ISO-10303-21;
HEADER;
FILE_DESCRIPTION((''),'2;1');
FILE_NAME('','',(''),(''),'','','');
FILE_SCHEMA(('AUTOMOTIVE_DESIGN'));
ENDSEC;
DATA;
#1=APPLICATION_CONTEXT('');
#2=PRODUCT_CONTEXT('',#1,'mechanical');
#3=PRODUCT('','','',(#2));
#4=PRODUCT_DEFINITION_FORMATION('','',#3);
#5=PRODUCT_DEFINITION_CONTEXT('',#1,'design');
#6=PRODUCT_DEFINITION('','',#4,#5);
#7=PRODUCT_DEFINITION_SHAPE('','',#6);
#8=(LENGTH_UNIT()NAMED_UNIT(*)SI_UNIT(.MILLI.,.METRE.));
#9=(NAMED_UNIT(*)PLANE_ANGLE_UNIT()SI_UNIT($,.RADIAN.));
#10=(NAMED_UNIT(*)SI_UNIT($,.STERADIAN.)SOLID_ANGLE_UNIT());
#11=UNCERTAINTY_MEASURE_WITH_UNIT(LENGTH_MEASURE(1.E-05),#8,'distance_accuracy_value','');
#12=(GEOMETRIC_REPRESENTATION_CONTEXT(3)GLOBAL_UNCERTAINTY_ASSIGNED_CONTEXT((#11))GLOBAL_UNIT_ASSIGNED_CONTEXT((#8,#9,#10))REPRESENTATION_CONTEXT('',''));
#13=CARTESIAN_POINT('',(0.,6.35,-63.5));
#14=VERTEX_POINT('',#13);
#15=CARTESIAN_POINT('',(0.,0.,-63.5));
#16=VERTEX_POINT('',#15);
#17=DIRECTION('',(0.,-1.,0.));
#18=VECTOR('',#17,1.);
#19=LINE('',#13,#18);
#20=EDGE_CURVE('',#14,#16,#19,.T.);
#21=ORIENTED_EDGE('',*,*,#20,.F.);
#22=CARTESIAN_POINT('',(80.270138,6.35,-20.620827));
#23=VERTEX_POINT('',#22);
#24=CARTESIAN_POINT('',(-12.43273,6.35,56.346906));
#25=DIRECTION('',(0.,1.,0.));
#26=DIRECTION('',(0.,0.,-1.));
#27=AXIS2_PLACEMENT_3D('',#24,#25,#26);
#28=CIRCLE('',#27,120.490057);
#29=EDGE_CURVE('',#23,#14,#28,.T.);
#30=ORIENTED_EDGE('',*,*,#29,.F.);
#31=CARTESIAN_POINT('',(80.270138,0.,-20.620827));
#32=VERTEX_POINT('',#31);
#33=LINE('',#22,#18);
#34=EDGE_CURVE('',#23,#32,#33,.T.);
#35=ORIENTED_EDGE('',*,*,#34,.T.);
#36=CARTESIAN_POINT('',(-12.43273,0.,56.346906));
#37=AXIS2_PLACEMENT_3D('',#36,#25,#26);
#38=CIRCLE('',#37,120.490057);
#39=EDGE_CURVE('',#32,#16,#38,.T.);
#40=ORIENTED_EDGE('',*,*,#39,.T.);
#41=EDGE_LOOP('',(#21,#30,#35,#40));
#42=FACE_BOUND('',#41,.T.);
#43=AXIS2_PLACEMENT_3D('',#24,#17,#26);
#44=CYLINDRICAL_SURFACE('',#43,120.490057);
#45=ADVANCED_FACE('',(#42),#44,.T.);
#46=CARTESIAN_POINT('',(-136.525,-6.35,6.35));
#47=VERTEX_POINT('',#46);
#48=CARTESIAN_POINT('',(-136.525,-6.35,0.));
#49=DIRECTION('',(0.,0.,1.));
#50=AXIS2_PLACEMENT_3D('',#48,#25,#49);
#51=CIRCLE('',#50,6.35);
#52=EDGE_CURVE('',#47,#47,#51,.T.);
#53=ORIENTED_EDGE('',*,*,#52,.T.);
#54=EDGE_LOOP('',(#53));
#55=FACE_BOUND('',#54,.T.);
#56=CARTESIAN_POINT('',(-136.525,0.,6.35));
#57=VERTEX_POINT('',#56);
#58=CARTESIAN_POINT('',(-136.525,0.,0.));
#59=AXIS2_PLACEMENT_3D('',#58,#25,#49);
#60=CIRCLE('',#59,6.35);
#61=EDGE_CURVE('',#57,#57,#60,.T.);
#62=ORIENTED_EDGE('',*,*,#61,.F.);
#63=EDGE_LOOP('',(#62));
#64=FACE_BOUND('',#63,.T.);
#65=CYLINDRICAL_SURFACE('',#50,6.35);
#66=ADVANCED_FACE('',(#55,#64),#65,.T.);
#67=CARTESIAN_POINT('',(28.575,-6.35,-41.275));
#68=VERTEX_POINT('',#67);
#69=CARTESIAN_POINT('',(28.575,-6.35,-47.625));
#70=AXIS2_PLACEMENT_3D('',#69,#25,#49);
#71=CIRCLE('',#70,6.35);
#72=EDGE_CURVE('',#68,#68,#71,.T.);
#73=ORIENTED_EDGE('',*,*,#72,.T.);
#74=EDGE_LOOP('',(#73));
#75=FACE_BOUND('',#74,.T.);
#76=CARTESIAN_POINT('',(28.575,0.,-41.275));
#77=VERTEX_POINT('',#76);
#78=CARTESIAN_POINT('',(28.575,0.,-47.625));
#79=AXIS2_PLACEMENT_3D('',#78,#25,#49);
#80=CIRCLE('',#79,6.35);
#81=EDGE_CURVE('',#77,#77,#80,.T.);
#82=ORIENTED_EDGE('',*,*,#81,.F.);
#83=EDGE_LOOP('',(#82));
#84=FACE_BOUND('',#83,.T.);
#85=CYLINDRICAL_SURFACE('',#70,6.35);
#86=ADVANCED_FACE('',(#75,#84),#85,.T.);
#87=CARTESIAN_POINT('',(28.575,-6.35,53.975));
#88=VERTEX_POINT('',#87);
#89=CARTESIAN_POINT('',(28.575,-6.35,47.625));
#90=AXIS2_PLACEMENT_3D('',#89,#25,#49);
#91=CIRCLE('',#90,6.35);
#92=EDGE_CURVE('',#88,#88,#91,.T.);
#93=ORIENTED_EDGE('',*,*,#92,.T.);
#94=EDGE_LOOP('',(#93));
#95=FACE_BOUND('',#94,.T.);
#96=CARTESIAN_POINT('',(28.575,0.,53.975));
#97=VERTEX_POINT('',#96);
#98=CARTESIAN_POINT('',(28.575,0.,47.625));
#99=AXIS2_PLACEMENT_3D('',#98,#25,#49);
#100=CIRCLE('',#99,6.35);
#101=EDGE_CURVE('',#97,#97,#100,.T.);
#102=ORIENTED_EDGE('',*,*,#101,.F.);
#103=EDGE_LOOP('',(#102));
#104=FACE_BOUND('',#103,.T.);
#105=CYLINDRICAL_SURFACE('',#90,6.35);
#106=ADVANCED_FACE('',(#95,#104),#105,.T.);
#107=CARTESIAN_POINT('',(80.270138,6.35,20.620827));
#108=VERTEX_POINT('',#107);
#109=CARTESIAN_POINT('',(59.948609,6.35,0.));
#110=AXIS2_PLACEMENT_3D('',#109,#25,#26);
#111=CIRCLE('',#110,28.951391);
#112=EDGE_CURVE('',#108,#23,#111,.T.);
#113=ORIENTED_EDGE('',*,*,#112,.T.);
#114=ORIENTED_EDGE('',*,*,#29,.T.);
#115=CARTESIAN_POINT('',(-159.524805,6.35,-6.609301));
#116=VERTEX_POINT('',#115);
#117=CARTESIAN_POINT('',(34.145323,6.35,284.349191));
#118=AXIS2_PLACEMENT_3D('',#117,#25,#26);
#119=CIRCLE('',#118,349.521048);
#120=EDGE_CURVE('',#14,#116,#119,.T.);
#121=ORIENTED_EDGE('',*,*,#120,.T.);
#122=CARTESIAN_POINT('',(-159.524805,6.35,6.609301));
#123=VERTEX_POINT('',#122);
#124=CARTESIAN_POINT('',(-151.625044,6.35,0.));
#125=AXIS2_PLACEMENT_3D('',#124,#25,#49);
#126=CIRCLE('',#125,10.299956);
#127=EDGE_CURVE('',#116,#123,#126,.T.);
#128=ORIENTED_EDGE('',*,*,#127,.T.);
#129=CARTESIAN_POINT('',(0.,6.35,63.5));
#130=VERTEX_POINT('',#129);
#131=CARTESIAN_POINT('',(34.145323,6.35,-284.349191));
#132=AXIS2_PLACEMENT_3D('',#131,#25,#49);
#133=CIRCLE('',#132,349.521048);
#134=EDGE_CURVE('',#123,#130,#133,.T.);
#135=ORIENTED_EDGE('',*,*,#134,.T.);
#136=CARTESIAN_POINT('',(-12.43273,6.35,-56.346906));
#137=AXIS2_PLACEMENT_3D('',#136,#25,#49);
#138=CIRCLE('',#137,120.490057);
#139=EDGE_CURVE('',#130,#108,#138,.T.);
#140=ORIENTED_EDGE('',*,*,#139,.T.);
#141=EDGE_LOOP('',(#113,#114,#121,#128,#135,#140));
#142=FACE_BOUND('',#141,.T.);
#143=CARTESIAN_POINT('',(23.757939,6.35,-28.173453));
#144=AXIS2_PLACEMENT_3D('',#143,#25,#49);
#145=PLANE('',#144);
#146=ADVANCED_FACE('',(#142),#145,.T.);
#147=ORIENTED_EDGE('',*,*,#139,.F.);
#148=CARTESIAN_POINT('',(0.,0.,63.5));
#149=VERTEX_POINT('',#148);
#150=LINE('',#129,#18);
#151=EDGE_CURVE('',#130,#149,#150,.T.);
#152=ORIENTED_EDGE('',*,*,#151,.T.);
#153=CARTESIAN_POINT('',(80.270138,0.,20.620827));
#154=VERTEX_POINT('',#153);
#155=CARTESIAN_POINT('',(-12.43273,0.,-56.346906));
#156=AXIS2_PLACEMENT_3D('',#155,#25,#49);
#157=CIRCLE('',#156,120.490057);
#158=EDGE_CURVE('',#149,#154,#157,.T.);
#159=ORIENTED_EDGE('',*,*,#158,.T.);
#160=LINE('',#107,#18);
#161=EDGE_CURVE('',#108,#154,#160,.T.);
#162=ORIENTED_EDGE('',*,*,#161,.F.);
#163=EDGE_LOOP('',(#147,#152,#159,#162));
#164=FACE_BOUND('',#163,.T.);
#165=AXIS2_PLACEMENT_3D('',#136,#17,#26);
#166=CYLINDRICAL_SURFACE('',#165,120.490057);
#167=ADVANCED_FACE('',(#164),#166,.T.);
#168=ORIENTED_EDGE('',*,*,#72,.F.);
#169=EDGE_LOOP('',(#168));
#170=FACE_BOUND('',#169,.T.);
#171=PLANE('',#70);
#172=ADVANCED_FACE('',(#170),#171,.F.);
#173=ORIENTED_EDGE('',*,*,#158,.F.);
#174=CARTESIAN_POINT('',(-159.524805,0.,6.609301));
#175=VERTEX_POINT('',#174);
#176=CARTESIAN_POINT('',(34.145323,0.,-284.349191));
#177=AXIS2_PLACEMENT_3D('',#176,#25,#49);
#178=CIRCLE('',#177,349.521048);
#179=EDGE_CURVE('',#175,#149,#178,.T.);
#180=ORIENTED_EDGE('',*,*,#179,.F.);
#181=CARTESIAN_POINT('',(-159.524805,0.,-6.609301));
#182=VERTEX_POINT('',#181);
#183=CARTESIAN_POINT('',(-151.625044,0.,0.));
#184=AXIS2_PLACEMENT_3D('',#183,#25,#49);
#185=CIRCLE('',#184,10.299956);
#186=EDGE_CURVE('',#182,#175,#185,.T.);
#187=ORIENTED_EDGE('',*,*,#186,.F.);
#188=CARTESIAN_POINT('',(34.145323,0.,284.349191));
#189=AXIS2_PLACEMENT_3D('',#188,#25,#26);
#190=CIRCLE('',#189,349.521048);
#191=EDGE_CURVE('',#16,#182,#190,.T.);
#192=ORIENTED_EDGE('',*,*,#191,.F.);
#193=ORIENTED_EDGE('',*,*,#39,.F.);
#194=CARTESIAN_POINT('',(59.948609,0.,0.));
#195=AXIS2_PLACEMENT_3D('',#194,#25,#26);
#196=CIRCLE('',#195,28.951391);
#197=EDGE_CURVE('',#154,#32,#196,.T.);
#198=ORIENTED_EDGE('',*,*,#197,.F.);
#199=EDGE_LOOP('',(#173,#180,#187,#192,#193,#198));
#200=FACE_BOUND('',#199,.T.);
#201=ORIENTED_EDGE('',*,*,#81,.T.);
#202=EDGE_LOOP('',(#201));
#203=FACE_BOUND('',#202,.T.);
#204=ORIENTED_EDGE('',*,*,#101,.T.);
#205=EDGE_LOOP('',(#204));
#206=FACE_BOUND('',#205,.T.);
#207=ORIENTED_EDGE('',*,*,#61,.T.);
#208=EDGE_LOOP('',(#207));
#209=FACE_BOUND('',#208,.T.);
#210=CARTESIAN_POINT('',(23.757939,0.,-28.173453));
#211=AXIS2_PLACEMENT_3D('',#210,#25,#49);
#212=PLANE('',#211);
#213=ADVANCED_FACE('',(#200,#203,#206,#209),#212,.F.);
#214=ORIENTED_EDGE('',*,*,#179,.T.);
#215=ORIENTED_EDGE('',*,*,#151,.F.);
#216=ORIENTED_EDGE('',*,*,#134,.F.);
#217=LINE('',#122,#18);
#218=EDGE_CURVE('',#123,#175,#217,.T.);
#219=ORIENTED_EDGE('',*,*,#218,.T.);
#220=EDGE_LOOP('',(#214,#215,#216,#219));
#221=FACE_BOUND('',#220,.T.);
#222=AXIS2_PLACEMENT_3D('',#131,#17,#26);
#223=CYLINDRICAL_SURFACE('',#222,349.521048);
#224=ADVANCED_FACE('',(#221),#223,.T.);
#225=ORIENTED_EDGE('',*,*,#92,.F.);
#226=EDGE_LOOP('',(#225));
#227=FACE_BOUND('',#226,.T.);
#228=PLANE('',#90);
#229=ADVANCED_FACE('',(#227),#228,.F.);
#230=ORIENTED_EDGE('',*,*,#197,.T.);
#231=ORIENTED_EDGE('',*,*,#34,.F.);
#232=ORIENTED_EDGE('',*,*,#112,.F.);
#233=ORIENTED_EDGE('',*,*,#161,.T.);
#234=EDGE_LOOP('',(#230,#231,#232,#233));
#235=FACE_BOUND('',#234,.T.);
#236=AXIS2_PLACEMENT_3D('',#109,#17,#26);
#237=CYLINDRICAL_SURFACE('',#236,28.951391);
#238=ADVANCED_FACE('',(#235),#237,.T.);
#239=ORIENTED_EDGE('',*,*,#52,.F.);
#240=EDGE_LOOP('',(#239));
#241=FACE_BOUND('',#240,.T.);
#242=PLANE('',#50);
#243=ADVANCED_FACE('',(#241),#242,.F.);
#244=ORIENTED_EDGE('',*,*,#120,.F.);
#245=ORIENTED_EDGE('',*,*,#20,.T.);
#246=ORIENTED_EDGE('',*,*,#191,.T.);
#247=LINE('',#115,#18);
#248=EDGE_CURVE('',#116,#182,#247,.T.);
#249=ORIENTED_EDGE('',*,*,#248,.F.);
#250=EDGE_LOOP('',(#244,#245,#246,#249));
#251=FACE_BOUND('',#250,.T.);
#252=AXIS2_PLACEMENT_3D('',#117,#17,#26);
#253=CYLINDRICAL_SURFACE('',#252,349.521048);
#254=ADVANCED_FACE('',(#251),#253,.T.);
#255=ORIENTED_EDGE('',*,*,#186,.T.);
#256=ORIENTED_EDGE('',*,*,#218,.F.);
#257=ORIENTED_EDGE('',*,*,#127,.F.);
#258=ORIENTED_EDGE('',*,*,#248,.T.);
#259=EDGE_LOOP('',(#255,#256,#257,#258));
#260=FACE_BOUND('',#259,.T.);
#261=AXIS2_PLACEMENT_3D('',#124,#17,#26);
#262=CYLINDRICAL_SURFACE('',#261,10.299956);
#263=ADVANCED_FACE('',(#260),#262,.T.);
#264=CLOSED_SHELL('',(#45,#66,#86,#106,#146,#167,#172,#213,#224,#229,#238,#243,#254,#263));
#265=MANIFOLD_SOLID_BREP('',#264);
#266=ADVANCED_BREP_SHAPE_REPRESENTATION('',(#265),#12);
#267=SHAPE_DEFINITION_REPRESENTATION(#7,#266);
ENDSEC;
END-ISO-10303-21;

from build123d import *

# Parameters (mm, degrees)
SALIENTE_EXTRUIR1_DEPTH = 6.35
SALIENTE_EXTRUIR2_START = -6.35
CROQUIS2_R              = 6.35
SALIENTE_EXTRUIR2_DEPTH = 6.35


with BuildPart() as part:
    # Croquis1 → Saliente-Extruir1 (new body)
    with BuildSketch(Plane(origin=(0, 0, 0), x_dir=(1, 0, 0), z_dir=(0, 1, 0))):
        with BuildLine():
            ThreePointArc((-159.524805442, 6.609301122), (-83.260417422, 44.863285815), (0, 63.5))
            ThreePointArc((0, 63.5), (44.339000485, 49.930204678), (80.270138251, 20.620826521))
            ThreePointArc((80.270138251, 20.620826521), (88.9, 0), (80.270138251, -20.620826521))
            ThreePointArc((80.270138251, -20.620826521), (44.339000485, -49.930204678), (0, -63.5))
            ThreePointArc((0, -63.5), (-83.260417422, -44.863285815), (-159.524805442, -6.609301122))
            ThreePointArc((-159.524805442, -6.609301122), (-161.925, 0), (-159.524805442, 6.609301122))
        make_face()
    extrude(amount=SALIENTE_EXTRUIR1_DEPTH)

    # Croquis2 → Saliente-Extruir2 (add)
    with BuildSketch(Plane(origin=(0, 6.35, 0), x_dir=(1, 0, 0), z_dir=(0, 1, 0)).offset(SALIENTE_EXTRUIR2_START)):
        with Locations(Location((28.575, 47.625, 0), (0, 0, 270))):
            Circle(CROQUIS2_R)
        with Locations(Location((28.575, -47.625, 0), (0, 0, 270))):
            Circle(CROQUIS2_R)
        with Locations(Location((-136.525, 0, 0), (0, 0, 270))):
            Circle(CROQUIS2_R)
    extrude(amount=-SALIENTE_EXTRUIR2_DEPTH)


solid = part.part
